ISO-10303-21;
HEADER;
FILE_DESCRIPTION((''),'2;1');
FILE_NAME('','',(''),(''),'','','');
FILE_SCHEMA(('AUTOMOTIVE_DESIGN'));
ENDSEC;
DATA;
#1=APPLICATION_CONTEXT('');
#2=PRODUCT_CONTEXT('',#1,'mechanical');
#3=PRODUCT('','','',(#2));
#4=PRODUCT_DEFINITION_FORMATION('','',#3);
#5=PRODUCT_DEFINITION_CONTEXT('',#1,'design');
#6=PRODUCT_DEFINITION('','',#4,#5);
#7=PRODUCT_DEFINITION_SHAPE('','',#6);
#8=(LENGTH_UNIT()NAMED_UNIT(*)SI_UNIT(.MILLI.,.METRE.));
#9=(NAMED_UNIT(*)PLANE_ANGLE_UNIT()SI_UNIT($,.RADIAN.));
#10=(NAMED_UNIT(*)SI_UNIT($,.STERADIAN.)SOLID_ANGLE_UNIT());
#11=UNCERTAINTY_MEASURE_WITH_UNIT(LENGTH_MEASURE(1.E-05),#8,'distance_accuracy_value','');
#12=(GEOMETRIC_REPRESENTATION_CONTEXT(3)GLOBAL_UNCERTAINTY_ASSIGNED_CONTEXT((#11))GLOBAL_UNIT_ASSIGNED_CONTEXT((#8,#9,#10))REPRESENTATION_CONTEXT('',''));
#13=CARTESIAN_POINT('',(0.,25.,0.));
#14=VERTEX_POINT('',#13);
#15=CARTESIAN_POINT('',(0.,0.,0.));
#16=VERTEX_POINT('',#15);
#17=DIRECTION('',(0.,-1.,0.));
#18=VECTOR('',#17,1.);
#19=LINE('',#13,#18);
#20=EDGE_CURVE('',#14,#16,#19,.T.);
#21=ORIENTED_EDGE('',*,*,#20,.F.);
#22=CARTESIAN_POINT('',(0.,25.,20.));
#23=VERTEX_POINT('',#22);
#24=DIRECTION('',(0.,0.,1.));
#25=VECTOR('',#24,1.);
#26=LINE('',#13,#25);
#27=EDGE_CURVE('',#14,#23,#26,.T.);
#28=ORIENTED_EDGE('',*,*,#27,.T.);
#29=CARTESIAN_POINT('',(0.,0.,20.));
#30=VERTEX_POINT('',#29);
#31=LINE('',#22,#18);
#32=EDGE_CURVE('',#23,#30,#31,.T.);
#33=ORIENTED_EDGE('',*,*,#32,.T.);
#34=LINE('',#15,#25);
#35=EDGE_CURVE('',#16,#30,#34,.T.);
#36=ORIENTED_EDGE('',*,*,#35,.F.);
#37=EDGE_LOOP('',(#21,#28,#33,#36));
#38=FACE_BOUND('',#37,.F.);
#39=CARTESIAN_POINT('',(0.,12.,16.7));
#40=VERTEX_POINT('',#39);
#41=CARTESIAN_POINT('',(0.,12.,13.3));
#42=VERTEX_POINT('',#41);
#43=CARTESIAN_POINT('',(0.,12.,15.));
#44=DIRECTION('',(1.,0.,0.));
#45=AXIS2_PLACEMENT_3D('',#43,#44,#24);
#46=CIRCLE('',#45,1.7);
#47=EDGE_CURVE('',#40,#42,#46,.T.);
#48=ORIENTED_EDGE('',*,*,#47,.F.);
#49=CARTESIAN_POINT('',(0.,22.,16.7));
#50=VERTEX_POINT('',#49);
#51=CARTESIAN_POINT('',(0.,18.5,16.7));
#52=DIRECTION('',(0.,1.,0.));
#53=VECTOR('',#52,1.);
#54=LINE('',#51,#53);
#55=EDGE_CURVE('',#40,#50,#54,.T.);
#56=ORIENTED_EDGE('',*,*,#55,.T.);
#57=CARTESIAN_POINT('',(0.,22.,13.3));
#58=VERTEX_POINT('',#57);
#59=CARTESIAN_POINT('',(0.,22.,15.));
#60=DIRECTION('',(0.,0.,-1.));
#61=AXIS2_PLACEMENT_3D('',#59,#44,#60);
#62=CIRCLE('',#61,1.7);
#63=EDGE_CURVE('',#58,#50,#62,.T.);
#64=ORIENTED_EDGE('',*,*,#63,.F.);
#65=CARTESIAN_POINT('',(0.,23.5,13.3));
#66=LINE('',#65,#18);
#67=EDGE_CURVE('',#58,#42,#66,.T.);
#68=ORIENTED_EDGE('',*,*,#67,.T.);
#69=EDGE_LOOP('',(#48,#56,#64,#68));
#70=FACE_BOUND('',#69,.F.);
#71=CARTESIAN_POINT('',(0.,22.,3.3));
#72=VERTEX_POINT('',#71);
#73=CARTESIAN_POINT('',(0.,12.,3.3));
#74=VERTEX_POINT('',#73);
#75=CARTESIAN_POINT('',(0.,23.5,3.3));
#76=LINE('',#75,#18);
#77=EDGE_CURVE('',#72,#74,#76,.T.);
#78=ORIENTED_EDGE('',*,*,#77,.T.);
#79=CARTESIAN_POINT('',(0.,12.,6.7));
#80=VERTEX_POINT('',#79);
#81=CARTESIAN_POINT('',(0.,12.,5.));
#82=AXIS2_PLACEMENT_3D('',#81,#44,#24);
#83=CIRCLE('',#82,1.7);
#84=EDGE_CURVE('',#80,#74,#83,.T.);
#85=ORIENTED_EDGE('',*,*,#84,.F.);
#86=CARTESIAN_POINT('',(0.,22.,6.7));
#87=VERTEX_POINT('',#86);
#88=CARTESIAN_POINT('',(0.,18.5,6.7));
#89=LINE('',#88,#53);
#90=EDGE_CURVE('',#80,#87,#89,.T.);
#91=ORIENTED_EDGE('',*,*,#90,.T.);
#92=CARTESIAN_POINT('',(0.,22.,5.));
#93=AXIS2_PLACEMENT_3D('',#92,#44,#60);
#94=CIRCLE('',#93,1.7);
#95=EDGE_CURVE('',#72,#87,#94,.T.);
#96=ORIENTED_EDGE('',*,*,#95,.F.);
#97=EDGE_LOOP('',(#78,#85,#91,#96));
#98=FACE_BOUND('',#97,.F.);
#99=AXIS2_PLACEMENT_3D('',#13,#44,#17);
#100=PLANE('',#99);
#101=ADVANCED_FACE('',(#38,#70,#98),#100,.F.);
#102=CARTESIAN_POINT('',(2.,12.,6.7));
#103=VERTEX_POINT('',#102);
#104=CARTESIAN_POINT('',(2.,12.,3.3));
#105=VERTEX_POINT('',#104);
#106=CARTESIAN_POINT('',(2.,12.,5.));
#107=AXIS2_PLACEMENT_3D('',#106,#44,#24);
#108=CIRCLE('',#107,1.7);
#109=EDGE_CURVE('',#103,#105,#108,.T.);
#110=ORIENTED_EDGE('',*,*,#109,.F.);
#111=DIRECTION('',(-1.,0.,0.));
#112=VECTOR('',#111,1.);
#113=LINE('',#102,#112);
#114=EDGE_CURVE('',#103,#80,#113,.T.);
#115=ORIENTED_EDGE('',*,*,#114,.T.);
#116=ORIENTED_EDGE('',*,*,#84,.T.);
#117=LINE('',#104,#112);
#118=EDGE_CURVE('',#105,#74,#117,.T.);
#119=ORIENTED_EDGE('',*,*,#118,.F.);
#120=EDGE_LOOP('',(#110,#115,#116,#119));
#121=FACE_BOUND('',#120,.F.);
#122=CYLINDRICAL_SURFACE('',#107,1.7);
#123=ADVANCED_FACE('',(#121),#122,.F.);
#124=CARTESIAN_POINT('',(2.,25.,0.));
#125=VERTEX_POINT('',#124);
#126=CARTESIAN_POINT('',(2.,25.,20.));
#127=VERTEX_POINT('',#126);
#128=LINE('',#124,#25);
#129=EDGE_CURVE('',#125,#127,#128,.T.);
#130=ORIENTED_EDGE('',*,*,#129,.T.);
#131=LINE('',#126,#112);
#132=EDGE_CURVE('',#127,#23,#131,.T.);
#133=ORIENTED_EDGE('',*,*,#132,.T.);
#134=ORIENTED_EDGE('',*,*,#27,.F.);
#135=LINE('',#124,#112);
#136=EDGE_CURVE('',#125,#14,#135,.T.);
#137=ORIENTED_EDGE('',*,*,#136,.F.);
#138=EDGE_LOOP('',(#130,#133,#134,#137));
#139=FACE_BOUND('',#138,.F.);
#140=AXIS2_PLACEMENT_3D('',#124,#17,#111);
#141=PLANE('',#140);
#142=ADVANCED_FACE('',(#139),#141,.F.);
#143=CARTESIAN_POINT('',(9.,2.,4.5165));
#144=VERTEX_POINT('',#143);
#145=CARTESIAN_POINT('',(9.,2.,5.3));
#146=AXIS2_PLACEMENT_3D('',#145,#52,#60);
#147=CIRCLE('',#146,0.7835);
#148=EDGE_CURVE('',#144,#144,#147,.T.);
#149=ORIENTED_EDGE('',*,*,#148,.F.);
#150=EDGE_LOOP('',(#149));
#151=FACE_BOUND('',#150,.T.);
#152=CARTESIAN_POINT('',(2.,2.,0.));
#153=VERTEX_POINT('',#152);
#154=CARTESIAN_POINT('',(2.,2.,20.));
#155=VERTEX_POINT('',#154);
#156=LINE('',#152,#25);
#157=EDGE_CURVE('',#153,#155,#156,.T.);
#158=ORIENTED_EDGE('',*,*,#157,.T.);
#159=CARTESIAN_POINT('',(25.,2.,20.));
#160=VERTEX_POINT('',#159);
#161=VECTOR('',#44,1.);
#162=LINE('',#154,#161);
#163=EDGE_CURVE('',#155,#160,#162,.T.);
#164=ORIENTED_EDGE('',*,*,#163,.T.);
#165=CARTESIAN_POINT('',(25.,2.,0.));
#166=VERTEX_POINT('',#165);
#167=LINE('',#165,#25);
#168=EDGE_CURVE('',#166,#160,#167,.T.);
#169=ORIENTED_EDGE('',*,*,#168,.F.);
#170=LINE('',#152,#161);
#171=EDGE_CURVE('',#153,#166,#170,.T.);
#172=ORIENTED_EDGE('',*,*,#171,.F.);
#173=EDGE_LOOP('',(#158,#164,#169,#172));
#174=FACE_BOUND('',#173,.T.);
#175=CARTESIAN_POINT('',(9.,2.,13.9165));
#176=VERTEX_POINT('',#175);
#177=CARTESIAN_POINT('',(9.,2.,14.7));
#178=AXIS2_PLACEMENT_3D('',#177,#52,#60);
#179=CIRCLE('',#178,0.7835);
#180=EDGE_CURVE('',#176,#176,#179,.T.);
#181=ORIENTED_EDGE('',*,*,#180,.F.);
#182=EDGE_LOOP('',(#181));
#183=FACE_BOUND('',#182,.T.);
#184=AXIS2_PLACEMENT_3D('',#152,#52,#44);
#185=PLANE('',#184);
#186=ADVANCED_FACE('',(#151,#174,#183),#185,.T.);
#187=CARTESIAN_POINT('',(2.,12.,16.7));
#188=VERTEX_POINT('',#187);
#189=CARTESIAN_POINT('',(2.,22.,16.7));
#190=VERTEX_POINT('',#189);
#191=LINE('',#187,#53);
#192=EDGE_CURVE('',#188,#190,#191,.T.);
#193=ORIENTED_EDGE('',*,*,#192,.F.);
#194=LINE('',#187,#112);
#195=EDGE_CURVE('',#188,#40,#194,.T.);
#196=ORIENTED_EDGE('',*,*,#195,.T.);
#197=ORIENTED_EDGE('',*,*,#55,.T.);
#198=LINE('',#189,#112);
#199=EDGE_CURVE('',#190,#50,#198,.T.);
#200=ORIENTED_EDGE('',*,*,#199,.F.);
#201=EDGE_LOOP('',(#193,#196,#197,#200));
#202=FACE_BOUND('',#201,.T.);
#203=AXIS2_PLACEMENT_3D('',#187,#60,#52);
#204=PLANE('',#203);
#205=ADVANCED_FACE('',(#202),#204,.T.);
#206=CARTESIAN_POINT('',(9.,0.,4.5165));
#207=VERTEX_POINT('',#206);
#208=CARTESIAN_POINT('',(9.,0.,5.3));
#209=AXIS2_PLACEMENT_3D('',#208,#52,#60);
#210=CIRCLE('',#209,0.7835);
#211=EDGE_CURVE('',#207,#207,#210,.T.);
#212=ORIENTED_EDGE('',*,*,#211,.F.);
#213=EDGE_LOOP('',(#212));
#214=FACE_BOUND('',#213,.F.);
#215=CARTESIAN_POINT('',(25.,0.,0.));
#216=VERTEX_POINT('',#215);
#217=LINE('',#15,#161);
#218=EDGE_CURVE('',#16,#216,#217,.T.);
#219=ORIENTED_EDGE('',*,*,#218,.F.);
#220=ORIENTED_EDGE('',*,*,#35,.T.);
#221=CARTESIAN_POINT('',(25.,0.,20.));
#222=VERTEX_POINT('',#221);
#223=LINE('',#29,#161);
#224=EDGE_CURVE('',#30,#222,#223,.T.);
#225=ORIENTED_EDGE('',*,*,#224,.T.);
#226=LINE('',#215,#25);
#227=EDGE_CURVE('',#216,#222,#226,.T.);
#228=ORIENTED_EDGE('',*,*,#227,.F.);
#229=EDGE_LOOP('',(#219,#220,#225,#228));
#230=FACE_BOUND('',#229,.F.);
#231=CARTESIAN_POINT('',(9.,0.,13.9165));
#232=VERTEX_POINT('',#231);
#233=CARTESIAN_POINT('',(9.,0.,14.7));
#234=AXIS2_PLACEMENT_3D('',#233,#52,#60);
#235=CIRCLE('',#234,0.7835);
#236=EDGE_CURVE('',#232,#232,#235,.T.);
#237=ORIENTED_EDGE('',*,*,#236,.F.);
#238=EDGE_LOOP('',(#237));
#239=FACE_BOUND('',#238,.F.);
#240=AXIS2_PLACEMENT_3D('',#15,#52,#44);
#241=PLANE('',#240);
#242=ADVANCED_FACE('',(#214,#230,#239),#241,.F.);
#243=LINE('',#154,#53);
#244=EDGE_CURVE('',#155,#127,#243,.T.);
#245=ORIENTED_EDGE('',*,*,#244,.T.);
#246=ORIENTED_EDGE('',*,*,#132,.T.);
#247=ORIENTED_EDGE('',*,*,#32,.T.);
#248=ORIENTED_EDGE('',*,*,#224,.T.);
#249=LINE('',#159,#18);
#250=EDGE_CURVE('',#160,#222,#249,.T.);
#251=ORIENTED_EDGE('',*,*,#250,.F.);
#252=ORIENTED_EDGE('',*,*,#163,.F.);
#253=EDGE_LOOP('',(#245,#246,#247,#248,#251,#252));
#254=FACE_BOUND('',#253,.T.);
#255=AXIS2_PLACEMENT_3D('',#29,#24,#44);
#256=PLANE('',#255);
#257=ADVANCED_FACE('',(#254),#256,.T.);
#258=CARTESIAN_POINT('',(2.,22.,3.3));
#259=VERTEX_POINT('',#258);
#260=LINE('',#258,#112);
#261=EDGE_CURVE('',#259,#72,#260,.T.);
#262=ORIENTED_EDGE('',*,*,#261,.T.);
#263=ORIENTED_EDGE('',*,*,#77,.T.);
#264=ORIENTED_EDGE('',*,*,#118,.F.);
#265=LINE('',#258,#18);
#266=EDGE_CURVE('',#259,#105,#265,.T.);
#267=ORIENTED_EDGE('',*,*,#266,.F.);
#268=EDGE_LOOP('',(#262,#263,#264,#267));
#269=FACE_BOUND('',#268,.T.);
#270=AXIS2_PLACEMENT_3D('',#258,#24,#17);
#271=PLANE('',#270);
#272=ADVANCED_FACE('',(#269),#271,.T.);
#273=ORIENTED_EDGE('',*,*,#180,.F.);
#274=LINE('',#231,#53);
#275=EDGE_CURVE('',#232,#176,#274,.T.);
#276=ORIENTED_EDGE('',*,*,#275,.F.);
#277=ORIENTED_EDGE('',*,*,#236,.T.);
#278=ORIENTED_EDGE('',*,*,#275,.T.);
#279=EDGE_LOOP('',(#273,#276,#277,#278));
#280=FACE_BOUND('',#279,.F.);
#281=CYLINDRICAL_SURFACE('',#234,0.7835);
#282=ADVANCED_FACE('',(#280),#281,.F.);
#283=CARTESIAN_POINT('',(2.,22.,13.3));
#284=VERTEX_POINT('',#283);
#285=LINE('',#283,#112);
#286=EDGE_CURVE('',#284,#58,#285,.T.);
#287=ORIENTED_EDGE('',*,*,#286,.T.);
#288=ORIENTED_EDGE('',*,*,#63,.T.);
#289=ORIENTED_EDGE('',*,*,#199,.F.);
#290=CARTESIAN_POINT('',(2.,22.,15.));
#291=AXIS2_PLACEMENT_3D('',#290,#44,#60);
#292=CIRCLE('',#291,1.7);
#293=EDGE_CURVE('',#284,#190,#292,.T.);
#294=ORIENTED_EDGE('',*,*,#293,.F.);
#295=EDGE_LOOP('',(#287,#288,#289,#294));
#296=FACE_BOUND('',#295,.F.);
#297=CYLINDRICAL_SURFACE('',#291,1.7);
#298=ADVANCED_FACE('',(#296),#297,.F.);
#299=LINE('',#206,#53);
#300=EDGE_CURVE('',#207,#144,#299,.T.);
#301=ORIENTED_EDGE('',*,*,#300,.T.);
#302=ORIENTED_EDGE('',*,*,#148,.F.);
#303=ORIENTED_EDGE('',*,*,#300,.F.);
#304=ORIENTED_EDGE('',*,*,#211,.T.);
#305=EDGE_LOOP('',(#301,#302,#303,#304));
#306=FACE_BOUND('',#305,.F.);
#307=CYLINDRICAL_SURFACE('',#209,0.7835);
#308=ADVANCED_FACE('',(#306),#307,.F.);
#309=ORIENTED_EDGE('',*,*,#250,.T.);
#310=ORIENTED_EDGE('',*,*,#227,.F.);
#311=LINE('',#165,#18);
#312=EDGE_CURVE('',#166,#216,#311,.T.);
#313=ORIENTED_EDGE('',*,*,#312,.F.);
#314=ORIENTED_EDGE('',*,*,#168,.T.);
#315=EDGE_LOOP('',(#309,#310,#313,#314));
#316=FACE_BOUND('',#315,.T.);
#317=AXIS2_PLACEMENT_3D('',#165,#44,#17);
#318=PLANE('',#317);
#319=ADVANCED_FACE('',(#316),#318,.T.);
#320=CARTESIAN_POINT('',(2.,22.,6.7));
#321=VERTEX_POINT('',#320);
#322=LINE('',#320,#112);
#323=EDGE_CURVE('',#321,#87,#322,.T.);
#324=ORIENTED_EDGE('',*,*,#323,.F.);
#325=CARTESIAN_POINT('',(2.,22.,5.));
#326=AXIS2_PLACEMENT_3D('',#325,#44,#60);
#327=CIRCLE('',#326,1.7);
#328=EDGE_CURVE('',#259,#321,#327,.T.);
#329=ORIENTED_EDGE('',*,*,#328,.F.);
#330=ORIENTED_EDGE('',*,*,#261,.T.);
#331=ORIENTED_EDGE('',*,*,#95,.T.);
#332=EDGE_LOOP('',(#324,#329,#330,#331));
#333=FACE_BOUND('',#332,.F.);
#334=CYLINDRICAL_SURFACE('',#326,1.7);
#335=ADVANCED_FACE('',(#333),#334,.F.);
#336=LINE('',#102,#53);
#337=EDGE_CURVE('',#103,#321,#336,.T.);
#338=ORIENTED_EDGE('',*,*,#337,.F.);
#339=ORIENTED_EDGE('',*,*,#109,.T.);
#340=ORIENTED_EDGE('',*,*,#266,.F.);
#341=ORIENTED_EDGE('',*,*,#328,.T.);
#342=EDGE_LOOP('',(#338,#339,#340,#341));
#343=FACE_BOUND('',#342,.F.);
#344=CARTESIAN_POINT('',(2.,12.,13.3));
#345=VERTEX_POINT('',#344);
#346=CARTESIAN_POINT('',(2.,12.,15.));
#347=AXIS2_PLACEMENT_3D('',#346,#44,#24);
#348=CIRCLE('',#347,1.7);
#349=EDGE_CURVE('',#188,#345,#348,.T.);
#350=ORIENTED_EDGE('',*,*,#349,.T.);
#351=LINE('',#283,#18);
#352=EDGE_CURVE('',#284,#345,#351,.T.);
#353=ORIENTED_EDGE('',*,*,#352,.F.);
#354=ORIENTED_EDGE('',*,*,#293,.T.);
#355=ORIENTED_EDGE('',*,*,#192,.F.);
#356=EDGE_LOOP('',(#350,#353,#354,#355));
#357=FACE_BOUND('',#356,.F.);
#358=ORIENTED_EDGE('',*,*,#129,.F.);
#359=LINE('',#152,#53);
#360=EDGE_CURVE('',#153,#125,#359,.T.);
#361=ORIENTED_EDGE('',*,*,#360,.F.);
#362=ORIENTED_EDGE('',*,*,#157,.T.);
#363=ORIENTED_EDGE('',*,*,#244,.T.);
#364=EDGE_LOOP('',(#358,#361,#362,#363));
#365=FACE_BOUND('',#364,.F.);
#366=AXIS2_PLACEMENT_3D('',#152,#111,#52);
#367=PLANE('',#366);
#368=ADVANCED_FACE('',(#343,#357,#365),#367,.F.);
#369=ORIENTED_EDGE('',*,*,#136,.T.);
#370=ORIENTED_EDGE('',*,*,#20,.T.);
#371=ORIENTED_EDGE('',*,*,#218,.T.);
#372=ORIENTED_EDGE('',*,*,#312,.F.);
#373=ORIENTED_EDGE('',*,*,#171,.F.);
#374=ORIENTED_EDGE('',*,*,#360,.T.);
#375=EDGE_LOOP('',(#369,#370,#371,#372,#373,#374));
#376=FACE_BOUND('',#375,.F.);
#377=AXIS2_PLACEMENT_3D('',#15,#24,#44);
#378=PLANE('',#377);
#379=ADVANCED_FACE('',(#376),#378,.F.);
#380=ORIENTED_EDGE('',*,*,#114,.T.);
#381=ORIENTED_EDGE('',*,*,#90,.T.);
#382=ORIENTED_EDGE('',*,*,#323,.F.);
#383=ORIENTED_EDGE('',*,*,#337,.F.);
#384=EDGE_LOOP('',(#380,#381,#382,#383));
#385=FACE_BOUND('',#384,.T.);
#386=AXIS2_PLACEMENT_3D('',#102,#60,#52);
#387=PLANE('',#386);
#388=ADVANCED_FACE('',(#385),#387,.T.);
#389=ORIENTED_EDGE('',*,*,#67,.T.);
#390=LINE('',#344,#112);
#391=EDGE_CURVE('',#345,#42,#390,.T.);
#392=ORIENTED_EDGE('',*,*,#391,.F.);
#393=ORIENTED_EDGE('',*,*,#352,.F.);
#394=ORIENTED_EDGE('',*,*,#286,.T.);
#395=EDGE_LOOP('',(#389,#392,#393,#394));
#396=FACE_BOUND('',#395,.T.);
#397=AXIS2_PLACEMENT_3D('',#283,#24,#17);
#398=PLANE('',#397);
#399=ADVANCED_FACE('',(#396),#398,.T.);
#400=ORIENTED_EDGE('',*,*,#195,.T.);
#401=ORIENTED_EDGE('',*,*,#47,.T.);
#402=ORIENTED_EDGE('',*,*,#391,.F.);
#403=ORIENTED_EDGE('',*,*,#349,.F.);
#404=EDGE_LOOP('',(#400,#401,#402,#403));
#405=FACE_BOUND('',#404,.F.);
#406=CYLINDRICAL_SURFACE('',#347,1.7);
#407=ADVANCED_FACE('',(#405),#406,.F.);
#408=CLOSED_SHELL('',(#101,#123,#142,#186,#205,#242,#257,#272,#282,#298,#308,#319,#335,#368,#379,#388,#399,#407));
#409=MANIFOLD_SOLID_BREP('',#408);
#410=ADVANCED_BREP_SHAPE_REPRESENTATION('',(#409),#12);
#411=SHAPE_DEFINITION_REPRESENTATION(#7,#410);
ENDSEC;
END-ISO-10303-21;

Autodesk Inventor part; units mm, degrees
ref_plane "YZ Plane" through (0, 0, 0) normal (1, 0, 0) x (0, 1, 0)
ref_plane "XZ Plane" through (0, 0, 0) normal (0, 1, 0) x (-1, 0, 0)
ref_plane "XY Plane" through (0, 0, 0) normal (0, 0, 1) x (1, 0, 0)
sketch "Skizze1" plane through (0, 0, 0) normal (0, 0, 1) x (1, 0, 0)
  line L0 (0, 0) -> (25, 0)
  line L1 (2, 2) -> (2, 25)
  line L2 (2, 25) -> (0, 25)
  line L3 (0, 25) -> (0, 0)
  line L4 (2, 2) -> (25, 2)
  line L5 (25, 2) -> (25, 0)
  dimension "d0" = 2
  dimension "d1" = 25
  dimension "d2" = 25
extrude "Extrusion1" add sketch "Skizze1" along normal blind 20
sketch "Skizze2" plane through (0, 0, 0) normal (0, -1, 0) x (1, 0, 0)
  line L0 (25, 20) -> (0, 20) projected
  line L1 (0, 0) -> (0, 20) projected
  line L2 (0, 0) -> (25, 0) projected
  line L3 (25, 0) -> (25, 20) projected
  line L4 (9, 20) -> (9, 0)
  line L5 (0, 10) -> (25, 10)
  point P0 (9, 14.7)
  point P1 (9, 5.3)
  dimension "d5" = 9
  dimension "d6" = 9.4
hole "Bohrung1" at (9, 0, 14.7) at (9, 0, 5.3) direction (0, 1, 0) diameter 1.567 end through all thread size "M2x0.4" class "6H" standard "ISO Metric profile"
sketch "Skizze3" plane through (2, 2, 0) normal (1, 0, 0) x (0, 0, -1)
  line L0 (0, 0) -> (-20, 0) projected
  line L1 (0, 23) -> (-20, 23) projected
  line L2 (-13.3, 20) -> (-13.3, 10)
  line L3 (-16.7, 10) -> (-16.7, 20)
  line L4 (-3.3, 20) -> (-3.3, 10)
  line L5 (-6.7, 10) -> (-6.7, 20)
  line L6 (-10, 23) -> (-10, 0)
  line L7 (-15, 20) -> (-15, 10)
  line L8 (-5, 10) -> (-5, 20)
  arc A0 (-13.3, 20) -> (-16.7, 20) centre (-15, 20) ccw
  arc A1 (-3.3, 20) -> (-6.7, 20) centre (-5, 20) ccw
  arc A2 (-6.7, 10) -> (-3.3, 10) centre (-5, 10) ccw
  arc A3 (-16.7, 10) -> (-13.3, 10) centre (-15, 10) ccw
  point P0 (0, -2)
  dimension "d14" = 10
  dimension "d15" = 3.4
  dimension "d16" = 3
  dimension "d18" = 10
extrude "Extrusion2" cut sketch "Skizze3" against normal through all
properties part number "13_0204_070"
